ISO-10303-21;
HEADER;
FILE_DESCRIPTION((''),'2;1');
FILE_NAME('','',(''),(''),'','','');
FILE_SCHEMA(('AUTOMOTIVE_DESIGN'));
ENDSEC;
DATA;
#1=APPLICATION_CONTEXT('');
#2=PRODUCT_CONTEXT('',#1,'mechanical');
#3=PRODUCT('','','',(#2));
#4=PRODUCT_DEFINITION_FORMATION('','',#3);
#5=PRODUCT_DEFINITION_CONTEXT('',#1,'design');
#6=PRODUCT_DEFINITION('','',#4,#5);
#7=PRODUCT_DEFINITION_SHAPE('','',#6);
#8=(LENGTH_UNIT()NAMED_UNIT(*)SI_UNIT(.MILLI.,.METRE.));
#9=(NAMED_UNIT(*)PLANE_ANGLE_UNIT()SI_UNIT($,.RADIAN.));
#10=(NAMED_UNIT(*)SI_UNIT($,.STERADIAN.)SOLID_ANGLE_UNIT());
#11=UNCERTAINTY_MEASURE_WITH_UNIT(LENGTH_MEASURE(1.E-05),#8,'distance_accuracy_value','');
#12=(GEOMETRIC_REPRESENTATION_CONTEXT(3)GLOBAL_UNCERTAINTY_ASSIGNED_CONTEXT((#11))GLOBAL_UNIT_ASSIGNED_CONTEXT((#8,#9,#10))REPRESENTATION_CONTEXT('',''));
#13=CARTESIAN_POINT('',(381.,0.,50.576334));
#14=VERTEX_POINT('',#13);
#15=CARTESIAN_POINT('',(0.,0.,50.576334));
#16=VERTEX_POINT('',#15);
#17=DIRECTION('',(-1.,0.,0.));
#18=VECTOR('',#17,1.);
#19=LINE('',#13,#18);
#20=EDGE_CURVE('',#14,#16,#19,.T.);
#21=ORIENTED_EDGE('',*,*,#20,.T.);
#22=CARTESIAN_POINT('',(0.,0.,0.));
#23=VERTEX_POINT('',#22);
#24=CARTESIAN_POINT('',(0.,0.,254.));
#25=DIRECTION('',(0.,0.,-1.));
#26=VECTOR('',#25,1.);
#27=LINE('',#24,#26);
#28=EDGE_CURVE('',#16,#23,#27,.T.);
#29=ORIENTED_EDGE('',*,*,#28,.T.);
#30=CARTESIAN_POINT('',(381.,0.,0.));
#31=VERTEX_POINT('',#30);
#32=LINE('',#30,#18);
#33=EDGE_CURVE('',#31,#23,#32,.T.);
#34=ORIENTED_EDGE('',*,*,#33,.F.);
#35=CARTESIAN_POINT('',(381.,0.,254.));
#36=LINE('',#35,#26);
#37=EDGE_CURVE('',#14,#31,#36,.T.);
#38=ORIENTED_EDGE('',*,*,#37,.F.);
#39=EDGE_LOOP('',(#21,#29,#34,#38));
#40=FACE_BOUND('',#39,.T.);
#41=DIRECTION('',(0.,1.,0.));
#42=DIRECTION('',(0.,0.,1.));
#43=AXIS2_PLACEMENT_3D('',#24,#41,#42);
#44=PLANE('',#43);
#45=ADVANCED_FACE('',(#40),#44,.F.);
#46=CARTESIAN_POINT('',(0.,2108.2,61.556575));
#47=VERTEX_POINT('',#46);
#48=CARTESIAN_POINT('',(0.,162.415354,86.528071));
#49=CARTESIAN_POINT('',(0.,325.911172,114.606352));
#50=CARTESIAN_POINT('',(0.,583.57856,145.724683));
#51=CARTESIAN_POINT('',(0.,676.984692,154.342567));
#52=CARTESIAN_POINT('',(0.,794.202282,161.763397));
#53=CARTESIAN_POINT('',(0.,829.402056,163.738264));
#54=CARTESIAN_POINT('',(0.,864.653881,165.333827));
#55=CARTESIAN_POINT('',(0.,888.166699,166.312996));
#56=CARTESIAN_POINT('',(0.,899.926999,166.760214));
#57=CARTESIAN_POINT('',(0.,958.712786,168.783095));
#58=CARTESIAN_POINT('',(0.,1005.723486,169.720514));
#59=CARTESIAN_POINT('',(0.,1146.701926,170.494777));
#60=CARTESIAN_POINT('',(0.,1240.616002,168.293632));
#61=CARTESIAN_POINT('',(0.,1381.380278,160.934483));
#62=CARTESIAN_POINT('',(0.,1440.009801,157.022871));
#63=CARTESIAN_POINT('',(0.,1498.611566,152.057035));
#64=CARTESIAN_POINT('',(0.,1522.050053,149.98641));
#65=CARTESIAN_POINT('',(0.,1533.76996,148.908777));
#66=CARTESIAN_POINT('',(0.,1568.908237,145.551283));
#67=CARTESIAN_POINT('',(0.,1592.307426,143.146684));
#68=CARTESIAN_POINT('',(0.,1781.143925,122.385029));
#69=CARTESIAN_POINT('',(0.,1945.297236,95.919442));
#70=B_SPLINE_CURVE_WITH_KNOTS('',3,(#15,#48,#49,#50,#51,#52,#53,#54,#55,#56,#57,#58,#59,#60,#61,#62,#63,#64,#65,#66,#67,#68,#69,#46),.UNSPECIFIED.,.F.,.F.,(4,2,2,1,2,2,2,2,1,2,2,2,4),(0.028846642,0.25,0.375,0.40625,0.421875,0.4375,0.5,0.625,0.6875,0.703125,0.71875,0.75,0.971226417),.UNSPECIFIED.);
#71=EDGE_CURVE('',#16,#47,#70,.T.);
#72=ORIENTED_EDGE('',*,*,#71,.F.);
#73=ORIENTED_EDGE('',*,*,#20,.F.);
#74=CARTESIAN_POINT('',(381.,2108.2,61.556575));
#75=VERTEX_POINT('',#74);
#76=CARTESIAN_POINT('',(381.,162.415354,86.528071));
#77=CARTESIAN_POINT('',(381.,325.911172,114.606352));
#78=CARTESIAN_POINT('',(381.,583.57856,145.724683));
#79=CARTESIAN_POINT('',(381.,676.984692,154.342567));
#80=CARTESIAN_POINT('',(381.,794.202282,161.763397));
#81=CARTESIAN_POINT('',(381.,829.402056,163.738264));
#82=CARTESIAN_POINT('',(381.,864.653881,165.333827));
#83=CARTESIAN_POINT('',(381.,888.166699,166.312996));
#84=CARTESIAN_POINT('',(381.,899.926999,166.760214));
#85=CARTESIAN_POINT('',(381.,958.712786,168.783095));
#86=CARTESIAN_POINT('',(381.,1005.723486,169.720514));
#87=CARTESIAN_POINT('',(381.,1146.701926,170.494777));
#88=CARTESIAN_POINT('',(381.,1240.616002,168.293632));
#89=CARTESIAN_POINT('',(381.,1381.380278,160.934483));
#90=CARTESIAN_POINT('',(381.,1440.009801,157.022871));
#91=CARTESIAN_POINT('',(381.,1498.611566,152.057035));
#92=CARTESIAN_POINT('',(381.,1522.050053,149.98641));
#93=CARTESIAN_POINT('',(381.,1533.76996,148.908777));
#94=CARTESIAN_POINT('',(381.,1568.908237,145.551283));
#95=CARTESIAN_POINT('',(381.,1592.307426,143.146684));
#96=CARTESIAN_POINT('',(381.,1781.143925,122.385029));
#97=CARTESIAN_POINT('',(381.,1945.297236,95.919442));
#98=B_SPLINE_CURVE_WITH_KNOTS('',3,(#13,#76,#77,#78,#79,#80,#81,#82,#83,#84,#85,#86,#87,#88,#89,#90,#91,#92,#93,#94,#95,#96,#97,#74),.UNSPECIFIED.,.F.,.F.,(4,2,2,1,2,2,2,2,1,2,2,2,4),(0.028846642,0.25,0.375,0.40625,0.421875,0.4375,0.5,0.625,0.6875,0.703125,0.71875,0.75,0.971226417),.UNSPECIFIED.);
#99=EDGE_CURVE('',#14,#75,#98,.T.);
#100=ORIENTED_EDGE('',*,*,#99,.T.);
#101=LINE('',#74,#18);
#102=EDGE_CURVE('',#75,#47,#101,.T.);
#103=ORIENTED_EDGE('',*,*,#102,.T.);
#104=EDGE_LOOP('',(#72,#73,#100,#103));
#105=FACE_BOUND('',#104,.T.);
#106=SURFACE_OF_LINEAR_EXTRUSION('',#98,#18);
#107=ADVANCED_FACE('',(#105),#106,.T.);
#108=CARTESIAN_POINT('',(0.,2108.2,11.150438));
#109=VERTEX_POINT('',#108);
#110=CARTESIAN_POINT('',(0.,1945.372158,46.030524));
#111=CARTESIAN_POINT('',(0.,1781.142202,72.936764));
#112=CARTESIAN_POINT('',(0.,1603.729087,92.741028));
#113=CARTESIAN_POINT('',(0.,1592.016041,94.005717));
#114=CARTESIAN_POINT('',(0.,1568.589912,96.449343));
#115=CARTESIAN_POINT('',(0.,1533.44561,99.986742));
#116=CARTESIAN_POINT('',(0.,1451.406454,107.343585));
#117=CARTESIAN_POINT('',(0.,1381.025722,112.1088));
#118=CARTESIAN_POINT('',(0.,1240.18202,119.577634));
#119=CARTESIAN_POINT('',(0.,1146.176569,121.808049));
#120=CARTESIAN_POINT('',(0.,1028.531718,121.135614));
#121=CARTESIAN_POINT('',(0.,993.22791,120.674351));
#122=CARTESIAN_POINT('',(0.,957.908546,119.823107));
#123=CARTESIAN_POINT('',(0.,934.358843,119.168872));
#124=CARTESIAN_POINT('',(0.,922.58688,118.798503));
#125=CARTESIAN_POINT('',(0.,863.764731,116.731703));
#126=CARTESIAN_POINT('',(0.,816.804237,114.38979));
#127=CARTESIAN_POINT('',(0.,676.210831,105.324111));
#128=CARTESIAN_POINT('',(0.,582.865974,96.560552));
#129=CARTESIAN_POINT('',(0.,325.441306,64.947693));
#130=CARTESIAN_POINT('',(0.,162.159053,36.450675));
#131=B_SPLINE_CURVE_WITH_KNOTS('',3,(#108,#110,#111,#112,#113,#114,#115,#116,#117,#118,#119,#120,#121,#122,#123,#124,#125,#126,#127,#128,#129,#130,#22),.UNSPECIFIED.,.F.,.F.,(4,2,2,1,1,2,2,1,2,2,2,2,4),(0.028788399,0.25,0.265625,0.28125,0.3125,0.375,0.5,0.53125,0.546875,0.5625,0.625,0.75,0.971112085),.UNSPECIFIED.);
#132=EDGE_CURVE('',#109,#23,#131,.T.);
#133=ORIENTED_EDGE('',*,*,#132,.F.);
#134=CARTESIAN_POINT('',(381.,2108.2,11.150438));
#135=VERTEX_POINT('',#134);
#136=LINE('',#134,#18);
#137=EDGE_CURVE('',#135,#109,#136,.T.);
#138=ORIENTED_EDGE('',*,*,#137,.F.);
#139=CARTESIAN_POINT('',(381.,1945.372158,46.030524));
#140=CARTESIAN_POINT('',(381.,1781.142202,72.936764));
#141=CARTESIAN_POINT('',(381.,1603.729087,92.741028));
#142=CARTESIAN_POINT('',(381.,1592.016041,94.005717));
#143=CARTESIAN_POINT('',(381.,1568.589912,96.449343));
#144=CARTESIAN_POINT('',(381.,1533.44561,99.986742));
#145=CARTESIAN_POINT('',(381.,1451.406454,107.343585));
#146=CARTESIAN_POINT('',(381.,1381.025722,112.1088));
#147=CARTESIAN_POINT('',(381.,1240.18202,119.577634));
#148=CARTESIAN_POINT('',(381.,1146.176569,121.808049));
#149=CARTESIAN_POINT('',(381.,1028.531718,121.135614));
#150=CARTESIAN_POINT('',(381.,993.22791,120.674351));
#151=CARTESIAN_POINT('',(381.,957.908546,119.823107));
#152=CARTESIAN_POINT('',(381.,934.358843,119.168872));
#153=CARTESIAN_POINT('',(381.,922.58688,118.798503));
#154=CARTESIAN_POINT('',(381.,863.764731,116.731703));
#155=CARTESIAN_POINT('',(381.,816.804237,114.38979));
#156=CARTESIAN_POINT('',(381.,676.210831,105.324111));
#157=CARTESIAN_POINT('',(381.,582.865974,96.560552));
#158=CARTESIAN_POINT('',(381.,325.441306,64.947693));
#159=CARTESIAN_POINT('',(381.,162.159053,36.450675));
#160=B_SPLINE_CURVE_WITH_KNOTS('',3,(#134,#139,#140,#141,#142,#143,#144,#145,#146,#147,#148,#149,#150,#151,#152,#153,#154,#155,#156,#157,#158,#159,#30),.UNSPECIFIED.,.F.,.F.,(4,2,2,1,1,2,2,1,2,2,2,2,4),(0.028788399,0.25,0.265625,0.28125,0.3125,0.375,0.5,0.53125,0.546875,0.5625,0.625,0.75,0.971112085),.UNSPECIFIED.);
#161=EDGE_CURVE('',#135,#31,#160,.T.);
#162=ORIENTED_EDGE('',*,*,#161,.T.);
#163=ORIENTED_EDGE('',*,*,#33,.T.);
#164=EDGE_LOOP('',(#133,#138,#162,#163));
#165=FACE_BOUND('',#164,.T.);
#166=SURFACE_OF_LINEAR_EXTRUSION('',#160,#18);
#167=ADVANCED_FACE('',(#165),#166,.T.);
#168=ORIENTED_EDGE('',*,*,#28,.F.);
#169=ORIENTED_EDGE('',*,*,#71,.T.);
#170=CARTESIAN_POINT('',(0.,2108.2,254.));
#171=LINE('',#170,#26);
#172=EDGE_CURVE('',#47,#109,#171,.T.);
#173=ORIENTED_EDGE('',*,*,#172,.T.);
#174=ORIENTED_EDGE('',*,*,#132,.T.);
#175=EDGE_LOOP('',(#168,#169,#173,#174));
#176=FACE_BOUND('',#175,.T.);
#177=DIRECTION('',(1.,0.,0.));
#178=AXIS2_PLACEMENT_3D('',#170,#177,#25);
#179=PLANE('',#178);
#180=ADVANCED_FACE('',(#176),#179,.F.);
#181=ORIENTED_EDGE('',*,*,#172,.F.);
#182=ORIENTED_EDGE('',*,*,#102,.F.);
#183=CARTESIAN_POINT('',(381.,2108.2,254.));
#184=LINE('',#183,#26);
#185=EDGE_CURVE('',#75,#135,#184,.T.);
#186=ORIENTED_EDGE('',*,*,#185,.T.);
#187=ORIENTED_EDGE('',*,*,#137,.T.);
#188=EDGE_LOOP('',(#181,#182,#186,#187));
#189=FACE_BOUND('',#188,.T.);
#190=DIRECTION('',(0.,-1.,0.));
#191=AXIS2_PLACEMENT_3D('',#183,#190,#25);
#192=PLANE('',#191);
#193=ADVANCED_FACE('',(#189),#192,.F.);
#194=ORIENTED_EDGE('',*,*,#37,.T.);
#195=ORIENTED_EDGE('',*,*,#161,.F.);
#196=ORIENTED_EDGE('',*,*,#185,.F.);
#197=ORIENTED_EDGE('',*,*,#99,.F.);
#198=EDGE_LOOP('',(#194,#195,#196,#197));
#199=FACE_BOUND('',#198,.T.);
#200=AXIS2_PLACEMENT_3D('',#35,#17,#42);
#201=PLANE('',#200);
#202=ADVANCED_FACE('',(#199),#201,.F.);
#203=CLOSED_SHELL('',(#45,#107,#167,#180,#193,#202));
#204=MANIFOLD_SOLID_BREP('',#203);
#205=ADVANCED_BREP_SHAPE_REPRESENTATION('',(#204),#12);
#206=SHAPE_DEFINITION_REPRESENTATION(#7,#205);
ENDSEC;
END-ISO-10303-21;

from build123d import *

# Parameters (mm, degrees)
SKETCH2_W           = 381
SKETCH2_H           = 2108.2
BOSS_EXTRUDE1_DEPTH = 254
CUT_EXTRUDE1_DEPTH  = 2158.355844547


with BuildPart() as part:
    # Sketch2 → Boss-Extrude1 (new, symmetric)
    with BuildSketch(Plane.XY):
        with Locations((190.5, 1054.1)):
            Rectangle(SKETCH2_W, SKETCH2_H)
    extrude(amount=BOSS_EXTRUDE1_DEPTH, both=True)

    # Sketch3 → Cut-Extrude1 (cut, through all)
    with BuildSketch(Plane.ZY):
        with BuildLine():
            Line((11.150438367, 2108.2), (-254, 2108.2))
            Line((-254, 2108.2), (-254, 0))
            Line((-254, 0), (0, 0))
            add(Edge.make_bspline(
                [(11.150438367, 2108.2), (46.030524159, 1945.372158046), (72.936763616, 1781.142202182), (92.741027925, 1603.729087385), (94.005716861, 1592.016041361), (96.449342775, 1568.589911804), (99.986742222, 1533.445609992), (107.343585427, 1451.406454342), (112.108799831, 1381.025721695), (119.577633775, 1240.18201965), (121.808049281, 1146.176568729), (121.135613979, 1028.531717992), (120.674350909, 993.227910054), (119.823106534, 957.908545813), (119.16887214, 934.358843012), (118.79850277, 922.586879756), (116.731703037, 863.764731081), (114.389789584, 816.804237017), (105.324111183, 676.210830806), (96.560552157, 582.865974306), (64.947693014, 325.441305718), (36.450675371, 162.159053026), (0, 0)],
                knots=[0.028788399, 0.028788399, 0.028788399, 0.028788399, 0.25, 0.25, 0.265625, 0.265625, 0.28125, 0.3125, 0.375, 0.375, 0.5, 0.5, 0.53125, 0.546875, 0.546875, 0.5625, 0.5625, 0.625, 0.625, 0.75, 0.75, 0.971112085, 0.971112085, 0.971112085, 0.971112085], degree=3))
        make_face()
        with BuildLine():
            Line((254, 0), (50.576334074, 0))
            add(Edge.make_bspline(
                [(50.576334074, 0), (86.528070574, 162.415354186), (114.606351628, 325.911171886), (145.724683166, 583.578560023), (154.342567016, 676.984692023), (161.763396997, 794.202282187), (163.738263909, 829.402056056), (165.333827162, 864.653881246), (166.312996166, 888.166699325), (166.760214296, 899.926998719), (168.78309537, 958.712785523), (169.720514345, 1005.723486353), (170.494777038, 1146.701925792), (168.293632391, 1240.616001508), (160.934483304, 1381.380277597), (157.022870989, 1440.009801444), (152.05703473, 1498.611566197), (149.986410123, 1522.05005263), (148.908777339, 1533.769959678), (145.551282696, 1568.908236744), (143.146684403, 1592.3074259), (122.385028935, 1781.143924842), (95.919442052, 1945.297235948), (61.55657451, 2108.2)],
                knots=[0.028846642, 0.028846642, 0.028846642, 0.028846642, 0.25, 0.25, 0.375, 0.375, 0.40625, 0.421875, 0.421875, 0.4375, 0.4375, 0.5, 0.5, 0.625, 0.625, 0.6875, 0.703125, 0.703125, 0.71875, 0.71875, 0.75, 0.75, 0.971226417, 0.971226417, 0.971226417, 0.971226417], degree=3))
            Line((61.55657451, 2108.2), (254, 2108.2))
            Line((254, 2108.2), (254, 0))
        make_face()
    extrude(amount=-CUT_EXTRUDE1_DEPTH, mode=Mode.SUBTRACT)


solid = part.part
